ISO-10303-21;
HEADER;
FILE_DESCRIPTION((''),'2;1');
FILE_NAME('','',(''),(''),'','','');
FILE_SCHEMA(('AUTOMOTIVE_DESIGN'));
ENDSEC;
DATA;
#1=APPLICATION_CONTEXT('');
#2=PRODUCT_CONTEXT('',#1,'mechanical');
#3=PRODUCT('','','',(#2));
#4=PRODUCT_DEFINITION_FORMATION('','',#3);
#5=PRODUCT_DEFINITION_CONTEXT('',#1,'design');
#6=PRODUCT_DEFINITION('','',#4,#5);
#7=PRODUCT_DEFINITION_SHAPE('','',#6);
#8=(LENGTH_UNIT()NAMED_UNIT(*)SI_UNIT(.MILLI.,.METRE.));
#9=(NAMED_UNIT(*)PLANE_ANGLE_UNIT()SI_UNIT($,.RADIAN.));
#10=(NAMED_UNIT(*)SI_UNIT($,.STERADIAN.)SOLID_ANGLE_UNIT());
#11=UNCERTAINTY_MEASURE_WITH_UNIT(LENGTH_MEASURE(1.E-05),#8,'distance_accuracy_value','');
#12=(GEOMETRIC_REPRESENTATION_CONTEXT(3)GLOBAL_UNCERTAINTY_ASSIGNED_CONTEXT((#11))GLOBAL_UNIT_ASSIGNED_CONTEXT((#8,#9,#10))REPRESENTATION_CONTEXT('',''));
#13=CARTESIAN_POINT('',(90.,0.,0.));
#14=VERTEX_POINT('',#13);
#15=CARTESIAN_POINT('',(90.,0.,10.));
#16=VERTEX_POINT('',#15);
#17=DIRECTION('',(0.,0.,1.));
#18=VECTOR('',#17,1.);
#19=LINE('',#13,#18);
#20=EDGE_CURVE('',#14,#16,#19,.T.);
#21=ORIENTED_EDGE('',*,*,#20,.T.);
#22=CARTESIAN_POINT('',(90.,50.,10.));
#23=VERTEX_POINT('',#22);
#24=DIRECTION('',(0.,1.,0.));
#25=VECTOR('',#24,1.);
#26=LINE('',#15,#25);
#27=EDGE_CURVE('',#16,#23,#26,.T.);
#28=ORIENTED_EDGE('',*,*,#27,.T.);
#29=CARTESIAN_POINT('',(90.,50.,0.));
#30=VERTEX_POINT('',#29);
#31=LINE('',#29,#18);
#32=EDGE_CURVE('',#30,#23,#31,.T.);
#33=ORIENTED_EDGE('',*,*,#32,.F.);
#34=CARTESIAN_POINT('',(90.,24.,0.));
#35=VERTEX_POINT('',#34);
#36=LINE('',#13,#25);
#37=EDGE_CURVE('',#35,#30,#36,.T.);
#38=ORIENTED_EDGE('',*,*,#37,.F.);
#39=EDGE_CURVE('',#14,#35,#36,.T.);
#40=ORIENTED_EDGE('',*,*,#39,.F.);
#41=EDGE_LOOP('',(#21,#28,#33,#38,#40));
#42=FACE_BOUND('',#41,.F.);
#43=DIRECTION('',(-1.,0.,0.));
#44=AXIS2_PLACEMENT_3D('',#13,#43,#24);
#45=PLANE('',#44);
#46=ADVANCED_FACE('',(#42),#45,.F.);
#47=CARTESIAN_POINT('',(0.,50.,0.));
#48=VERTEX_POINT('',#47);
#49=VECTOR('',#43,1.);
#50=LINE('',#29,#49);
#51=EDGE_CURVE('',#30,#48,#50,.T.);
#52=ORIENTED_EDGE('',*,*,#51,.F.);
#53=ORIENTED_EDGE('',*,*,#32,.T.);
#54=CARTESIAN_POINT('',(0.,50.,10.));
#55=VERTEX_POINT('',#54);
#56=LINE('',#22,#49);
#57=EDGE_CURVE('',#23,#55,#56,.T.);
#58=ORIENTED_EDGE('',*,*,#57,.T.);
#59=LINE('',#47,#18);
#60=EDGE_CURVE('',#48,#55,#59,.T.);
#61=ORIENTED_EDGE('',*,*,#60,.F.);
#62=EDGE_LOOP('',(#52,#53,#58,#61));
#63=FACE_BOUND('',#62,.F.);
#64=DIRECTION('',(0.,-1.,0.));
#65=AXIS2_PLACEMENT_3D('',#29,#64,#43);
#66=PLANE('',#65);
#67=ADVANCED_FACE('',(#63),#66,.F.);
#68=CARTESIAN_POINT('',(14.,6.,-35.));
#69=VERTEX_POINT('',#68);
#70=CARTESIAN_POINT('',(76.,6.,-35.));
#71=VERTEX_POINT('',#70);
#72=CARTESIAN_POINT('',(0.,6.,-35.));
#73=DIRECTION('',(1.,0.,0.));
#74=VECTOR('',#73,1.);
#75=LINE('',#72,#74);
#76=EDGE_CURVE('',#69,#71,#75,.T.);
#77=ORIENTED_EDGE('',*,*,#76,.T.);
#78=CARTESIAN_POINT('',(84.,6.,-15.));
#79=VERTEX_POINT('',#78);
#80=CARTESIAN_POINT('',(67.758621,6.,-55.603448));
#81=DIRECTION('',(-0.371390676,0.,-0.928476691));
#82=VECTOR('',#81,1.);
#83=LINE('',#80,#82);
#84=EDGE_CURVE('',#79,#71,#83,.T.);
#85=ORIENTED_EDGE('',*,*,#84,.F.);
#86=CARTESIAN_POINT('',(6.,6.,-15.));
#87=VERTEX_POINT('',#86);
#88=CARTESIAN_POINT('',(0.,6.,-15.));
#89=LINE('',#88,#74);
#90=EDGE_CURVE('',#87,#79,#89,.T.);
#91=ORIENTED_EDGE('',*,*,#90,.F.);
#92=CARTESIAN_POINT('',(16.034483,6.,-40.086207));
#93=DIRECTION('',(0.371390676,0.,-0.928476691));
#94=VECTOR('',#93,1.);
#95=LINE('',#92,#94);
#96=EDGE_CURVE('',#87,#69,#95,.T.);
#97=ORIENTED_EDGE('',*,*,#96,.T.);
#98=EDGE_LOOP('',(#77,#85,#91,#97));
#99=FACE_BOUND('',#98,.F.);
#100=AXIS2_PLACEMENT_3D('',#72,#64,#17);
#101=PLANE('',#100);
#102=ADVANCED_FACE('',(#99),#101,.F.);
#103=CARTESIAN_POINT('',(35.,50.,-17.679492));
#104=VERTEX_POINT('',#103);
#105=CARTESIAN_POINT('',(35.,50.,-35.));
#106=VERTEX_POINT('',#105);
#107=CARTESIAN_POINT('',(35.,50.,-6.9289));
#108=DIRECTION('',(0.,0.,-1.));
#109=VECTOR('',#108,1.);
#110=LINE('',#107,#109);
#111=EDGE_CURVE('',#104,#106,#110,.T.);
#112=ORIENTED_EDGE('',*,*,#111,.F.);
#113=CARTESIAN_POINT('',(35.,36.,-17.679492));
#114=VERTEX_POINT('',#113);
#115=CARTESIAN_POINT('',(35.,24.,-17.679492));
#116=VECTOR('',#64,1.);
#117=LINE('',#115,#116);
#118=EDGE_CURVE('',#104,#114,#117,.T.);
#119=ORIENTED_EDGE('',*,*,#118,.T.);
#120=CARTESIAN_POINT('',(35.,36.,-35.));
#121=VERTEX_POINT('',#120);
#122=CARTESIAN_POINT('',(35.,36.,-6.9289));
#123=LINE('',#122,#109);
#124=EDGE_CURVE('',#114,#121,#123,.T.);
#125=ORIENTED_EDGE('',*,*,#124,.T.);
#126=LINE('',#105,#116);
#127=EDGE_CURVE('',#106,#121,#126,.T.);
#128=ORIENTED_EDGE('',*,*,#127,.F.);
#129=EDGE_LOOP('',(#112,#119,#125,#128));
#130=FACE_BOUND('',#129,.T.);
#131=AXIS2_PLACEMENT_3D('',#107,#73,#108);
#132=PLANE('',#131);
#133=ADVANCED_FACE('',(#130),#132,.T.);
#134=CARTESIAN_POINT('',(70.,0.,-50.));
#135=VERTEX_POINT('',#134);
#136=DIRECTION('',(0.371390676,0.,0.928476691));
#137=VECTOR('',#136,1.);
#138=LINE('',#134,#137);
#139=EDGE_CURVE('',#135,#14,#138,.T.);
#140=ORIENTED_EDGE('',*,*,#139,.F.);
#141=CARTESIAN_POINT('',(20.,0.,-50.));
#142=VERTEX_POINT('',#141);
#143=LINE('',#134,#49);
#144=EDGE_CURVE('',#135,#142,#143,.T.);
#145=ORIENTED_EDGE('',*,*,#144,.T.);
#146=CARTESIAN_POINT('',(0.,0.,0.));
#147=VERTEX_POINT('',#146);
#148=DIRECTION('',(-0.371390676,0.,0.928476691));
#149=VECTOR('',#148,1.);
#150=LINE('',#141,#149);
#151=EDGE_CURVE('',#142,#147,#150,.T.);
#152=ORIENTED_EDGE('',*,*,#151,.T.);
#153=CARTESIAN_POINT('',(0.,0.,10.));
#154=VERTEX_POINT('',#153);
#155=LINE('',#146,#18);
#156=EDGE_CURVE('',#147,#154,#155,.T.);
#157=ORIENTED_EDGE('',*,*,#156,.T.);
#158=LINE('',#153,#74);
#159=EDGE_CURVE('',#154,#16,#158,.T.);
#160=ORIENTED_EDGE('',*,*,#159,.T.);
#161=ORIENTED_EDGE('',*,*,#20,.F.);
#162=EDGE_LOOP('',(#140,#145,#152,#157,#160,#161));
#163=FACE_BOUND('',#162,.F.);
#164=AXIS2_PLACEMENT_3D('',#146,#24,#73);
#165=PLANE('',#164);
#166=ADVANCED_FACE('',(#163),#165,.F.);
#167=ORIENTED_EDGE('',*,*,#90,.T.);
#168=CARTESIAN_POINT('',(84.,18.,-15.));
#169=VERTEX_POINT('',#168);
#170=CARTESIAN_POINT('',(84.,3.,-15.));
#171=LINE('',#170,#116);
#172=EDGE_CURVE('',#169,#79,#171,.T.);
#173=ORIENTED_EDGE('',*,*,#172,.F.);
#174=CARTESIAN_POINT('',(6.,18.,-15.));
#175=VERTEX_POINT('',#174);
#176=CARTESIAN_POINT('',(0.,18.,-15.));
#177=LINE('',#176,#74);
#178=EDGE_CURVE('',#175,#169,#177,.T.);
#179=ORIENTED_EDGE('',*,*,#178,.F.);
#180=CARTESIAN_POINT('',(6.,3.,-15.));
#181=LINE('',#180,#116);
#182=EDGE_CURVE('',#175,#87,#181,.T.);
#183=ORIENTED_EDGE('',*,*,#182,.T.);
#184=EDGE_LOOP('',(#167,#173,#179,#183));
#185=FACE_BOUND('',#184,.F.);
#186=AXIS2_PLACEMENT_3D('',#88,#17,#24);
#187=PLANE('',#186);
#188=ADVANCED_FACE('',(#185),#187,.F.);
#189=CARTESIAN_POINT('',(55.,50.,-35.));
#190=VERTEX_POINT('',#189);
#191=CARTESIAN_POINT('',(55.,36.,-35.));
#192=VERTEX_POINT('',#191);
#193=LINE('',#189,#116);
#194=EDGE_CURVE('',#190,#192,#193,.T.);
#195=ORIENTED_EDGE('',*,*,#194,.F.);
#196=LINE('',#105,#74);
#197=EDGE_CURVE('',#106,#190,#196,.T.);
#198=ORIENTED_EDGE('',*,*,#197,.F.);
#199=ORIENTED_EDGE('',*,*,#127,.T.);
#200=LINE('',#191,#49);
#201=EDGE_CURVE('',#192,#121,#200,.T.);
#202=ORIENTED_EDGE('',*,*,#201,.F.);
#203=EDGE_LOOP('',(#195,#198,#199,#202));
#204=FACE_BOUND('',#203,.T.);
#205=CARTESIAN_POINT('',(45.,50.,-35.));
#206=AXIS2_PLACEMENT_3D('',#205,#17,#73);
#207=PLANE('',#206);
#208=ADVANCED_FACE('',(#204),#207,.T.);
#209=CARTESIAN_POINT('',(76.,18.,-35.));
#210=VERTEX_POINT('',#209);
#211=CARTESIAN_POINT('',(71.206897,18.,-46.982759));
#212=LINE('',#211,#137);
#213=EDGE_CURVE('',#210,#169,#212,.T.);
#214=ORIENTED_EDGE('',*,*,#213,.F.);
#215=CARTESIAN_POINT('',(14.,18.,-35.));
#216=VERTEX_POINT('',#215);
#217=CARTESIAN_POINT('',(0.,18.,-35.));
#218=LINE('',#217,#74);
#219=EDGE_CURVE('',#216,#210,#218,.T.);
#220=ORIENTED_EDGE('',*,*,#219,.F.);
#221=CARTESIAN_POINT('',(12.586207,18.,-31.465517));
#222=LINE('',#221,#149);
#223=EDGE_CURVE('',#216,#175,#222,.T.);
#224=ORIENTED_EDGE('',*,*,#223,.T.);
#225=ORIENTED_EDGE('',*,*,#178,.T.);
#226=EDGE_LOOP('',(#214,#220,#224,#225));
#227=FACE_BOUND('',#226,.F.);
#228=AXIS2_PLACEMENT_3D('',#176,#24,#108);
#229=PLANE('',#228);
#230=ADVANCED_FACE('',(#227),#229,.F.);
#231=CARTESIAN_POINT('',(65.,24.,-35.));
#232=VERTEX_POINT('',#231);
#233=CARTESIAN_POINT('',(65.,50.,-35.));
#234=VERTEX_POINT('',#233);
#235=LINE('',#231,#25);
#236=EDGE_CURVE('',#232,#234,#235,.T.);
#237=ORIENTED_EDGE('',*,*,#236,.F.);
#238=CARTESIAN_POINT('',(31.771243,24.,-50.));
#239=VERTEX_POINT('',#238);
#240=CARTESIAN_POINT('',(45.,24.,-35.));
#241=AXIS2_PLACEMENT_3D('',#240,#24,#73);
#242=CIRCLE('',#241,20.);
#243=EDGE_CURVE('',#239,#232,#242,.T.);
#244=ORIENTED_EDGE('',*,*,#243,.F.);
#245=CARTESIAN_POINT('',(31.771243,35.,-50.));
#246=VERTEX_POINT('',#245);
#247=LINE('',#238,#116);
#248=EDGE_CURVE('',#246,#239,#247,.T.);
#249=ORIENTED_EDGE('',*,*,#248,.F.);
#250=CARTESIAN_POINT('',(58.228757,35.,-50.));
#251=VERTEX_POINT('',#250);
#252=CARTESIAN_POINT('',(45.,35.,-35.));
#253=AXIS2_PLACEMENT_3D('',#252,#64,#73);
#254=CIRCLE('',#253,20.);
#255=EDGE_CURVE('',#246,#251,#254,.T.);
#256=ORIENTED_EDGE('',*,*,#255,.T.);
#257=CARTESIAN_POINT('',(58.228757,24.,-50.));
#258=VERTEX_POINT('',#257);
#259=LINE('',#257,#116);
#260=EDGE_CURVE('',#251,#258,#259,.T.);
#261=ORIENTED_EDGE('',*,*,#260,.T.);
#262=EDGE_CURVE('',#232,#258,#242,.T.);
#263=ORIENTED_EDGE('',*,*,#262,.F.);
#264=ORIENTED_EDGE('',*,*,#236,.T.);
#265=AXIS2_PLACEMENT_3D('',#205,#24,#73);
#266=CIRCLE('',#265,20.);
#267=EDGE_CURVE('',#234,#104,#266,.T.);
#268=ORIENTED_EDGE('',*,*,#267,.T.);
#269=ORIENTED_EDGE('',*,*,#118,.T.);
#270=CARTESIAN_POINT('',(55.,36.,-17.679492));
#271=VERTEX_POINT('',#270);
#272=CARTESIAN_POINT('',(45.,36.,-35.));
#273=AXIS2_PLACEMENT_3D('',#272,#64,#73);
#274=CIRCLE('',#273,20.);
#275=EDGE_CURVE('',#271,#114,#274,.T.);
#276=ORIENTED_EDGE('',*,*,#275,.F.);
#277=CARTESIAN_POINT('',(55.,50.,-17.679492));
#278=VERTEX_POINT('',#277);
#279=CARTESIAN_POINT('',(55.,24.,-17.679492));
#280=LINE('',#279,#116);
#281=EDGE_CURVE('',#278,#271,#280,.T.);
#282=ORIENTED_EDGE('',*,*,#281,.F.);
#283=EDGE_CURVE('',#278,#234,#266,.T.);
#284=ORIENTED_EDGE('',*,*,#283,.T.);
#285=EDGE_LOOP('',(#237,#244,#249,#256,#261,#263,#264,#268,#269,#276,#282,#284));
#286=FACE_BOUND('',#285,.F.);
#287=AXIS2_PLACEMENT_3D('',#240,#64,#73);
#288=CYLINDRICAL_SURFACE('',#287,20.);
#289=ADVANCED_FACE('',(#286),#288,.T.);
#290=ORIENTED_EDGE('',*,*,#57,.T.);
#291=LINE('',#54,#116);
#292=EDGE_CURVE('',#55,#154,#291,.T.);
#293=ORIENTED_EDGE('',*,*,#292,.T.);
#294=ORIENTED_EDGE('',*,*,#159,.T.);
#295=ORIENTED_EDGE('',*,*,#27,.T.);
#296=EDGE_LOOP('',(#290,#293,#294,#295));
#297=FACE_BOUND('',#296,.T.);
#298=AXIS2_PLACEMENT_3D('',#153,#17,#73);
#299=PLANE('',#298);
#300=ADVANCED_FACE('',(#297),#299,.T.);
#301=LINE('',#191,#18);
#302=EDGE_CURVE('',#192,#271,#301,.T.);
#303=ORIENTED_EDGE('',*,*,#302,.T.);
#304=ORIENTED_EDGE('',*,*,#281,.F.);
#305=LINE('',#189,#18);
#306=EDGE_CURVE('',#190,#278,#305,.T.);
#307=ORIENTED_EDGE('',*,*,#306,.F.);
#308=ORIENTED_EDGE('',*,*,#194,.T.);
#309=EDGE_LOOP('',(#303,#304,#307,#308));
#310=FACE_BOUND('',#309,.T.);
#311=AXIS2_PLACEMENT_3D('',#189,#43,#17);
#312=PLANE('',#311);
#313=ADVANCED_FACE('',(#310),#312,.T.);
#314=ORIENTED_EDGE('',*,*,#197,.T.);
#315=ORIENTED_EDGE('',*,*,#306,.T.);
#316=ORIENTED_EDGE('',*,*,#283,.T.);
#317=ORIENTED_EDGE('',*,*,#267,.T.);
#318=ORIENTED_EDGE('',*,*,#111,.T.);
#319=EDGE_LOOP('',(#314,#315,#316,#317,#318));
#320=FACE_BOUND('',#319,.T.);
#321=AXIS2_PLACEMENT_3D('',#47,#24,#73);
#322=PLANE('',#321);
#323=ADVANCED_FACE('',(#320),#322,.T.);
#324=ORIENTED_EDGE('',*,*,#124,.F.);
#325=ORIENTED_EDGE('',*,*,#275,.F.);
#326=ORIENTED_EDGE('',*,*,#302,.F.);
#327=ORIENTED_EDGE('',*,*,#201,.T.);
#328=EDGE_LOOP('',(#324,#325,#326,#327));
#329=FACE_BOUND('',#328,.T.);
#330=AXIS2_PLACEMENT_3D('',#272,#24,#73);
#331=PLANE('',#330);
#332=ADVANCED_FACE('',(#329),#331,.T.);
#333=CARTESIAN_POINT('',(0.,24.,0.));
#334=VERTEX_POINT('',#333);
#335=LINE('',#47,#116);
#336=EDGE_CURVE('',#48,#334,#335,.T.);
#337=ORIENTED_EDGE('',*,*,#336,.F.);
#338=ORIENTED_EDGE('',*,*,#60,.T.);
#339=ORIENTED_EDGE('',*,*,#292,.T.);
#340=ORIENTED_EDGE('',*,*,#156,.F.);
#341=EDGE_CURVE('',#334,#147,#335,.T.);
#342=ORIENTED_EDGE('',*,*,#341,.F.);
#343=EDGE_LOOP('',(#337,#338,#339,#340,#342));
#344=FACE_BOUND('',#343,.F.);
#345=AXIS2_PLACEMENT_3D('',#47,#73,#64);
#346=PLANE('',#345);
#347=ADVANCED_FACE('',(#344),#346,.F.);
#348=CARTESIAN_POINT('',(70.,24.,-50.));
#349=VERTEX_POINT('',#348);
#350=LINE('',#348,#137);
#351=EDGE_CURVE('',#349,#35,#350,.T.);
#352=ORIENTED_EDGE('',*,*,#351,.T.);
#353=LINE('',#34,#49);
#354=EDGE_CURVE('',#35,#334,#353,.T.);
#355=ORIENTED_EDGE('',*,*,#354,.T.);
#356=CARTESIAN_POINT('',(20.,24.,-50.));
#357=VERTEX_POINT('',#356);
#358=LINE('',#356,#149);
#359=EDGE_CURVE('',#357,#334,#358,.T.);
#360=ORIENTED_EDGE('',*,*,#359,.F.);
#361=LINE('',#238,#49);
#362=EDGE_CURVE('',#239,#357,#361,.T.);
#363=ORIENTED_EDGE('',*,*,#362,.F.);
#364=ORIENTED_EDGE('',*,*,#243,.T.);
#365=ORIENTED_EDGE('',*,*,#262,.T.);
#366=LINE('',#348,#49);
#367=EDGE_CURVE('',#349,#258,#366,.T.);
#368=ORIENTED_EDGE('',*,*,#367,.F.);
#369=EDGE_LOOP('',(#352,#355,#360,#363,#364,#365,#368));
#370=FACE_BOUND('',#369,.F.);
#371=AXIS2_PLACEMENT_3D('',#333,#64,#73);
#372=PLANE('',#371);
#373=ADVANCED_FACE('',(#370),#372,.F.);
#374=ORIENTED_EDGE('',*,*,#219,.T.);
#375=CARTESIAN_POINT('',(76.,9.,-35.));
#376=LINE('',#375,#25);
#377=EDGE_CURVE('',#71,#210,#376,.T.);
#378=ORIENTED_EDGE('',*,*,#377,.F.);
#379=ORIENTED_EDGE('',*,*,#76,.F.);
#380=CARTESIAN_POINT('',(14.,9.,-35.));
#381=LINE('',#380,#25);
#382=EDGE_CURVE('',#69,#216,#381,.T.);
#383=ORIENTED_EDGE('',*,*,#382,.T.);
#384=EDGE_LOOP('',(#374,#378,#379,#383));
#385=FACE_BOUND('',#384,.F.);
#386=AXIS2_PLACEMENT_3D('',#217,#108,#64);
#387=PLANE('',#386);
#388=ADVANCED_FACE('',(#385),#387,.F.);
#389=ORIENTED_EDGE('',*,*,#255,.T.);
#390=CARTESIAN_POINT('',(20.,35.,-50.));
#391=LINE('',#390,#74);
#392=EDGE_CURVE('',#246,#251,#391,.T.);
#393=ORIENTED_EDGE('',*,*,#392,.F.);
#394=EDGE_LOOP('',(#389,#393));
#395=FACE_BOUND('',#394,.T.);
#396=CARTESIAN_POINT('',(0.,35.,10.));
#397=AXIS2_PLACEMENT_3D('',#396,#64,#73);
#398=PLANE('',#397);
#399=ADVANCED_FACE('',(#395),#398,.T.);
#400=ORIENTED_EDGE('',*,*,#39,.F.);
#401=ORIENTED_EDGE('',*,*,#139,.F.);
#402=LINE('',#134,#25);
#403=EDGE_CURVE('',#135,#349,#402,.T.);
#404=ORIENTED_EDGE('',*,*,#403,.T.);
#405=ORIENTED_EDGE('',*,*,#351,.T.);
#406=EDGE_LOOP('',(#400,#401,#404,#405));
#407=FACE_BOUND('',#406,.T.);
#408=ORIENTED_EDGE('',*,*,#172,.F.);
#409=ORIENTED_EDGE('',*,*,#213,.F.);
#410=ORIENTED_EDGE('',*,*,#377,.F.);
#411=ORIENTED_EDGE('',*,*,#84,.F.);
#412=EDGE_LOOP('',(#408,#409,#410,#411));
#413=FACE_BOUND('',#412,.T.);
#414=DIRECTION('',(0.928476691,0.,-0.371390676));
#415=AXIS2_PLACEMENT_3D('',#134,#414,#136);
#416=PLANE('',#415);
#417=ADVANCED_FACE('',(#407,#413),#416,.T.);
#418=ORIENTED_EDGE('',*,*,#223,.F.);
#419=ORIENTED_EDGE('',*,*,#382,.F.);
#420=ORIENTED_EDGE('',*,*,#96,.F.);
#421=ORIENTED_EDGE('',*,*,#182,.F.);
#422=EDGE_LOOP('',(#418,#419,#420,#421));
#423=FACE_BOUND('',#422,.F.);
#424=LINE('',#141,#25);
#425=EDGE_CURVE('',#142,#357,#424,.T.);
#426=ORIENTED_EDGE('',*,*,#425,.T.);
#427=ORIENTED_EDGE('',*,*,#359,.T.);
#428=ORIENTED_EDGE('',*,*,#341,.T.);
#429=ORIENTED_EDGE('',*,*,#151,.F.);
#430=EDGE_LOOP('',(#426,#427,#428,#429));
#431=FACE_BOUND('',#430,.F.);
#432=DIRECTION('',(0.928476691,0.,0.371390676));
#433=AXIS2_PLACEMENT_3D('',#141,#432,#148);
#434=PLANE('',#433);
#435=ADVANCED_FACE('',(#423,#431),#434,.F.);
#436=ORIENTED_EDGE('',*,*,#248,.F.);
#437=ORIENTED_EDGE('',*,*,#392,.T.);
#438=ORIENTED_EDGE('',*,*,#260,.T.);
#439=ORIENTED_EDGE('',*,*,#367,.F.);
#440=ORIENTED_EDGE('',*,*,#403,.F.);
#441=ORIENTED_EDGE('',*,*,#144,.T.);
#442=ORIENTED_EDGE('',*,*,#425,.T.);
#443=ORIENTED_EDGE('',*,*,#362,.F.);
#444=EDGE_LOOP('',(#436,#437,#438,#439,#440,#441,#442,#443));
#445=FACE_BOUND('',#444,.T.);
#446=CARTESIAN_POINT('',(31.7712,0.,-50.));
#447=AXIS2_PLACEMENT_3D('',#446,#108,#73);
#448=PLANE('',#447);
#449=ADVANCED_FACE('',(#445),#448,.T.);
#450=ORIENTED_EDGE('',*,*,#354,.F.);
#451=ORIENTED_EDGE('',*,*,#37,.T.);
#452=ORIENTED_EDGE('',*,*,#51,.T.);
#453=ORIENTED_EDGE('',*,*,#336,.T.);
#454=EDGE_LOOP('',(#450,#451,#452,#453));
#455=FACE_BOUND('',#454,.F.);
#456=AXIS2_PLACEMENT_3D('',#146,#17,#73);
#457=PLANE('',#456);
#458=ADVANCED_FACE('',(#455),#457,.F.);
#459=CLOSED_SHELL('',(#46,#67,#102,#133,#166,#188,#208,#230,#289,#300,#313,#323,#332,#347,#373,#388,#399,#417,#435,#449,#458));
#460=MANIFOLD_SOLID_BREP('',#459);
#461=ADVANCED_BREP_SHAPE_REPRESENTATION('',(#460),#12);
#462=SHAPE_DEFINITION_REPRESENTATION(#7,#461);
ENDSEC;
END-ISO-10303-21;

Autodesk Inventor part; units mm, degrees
ref_plane "YZ Plane" through (0, 0, 0) normal (1, 0, 0) x (0, 1, 0)
ref_plane "XZ Plane" through (0, 0, 0) normal (0, 1, 0) x (-1, 0, 0)
ref_plane "XY Plane" through (0, 0, 0) normal (0, 0, 1) x (1, 0, 0)
sketch "Szkic1" plane through (0, 0, 0) normal (0, 0, 1) x (1, 0, 0)
  line L0 (0, 0) -> (90, 0)
  line L1 (90, 0) -> (90, 50)
  line L2 (90, 50) -> (0, 50)
  line L3 (0, 50) -> (0, 0)
  dimension "d0" = 90
  dimension "d1" = 50
extrude "Wyciągnięcie proste1" add sketch "Szkic1" along normal blind 10
sketch "Szkic2" plane through (0, 0, 0) normal (0, -1, 0) x (1, 0, 0)
  line L0 (90, 0) -> (0, 0) projected
  line L1 (20, -50) -> (70, -50)
  line L2 (70, -50) -> (90, 0)
  line L3 (90, 0) -> (0, 0)
  line L4 (0, 0) -> (0, 10) projected
  line L5 (20, -50) -> (0, 0)
  line L6 (0, 0) -> (90, 0)
  dimension "d6" = 50
extrude "Wyciągnięcie proste2" add sketch "Szkic2" against normal blind 24
sketch "Szkic3" plane through (0, 24, 0) normal (0, 1, 0) x (1, 0, 0)
  line L0 (0, 0) -> (0, -10) projected
  line L1 (90, 0) -> (0, 0) projected
  circle A0 centre (45, 35) radius 20
  dimension "d11" = 40
extrude "Wyciągnięcie proste3" add sketch "Szkic3" along normal blind 26
sketch "Szkic4" plane through (0, 0, 10) normal (0, -1, 0) x (1, 0, 0)
  line L0 (70, -60) -> (58.2288, -60) projected
  line L1 (70, -60) -> (70, -66.9782)
  line L2 (70, -66.9782) -> (20, -66.9782)
  line L3 (31.7712, -60) -> (20, -60) projected
  line L4 (20, -66.9782) -> (20, -60)
  line L5 (20, -60) -> (70, -60)
  point P0 (0, -10)
extrude "Wyciągnięcie proste4" cut sketch "Szkic4" against normal blind 35
sketch "Szkic5" plane through (0, 0, 10) normal (-1, 0, 0) x (0, 0, 1)
  line L0 (-25, 6) -> (-25, 18)
  line L1 (-25, 18) -> (-45, 18)
  line L2 (-45, 18) -> (-45, 6)
  line L3 (-45, 6) -> (-25, 6)
  point P0 (-10, 0)
  dimension "d18" = 12
  dimension "d19" = 20
extrude "Wyciągnięcie proste5" cut sketch "Szkic5" against normal blind 95
sketch "Szkic6" plane through (45, 50, -35) normal (0, 1, 0) x (1, 0, 0)
  line L0 (-31, 0) -> (31, 0) projected
  line L1 (0, 0) -> (10, 0)
  line L2 (10, 0) -> (10, -28.0711)
  line L3 (10, -28.0711) -> (-10, -28.0711)
  line L4 (-10, -28.0711) -> (-10, 0)
  line L5 (-10, 0) -> (0, 0)
  point P0 (-45, -35)
  dimension "d22" = 10
  dimension "d23" = 20
extrude "Wyciągnięcie proste6" cut sketch "Szkic6" against normal blind 14
